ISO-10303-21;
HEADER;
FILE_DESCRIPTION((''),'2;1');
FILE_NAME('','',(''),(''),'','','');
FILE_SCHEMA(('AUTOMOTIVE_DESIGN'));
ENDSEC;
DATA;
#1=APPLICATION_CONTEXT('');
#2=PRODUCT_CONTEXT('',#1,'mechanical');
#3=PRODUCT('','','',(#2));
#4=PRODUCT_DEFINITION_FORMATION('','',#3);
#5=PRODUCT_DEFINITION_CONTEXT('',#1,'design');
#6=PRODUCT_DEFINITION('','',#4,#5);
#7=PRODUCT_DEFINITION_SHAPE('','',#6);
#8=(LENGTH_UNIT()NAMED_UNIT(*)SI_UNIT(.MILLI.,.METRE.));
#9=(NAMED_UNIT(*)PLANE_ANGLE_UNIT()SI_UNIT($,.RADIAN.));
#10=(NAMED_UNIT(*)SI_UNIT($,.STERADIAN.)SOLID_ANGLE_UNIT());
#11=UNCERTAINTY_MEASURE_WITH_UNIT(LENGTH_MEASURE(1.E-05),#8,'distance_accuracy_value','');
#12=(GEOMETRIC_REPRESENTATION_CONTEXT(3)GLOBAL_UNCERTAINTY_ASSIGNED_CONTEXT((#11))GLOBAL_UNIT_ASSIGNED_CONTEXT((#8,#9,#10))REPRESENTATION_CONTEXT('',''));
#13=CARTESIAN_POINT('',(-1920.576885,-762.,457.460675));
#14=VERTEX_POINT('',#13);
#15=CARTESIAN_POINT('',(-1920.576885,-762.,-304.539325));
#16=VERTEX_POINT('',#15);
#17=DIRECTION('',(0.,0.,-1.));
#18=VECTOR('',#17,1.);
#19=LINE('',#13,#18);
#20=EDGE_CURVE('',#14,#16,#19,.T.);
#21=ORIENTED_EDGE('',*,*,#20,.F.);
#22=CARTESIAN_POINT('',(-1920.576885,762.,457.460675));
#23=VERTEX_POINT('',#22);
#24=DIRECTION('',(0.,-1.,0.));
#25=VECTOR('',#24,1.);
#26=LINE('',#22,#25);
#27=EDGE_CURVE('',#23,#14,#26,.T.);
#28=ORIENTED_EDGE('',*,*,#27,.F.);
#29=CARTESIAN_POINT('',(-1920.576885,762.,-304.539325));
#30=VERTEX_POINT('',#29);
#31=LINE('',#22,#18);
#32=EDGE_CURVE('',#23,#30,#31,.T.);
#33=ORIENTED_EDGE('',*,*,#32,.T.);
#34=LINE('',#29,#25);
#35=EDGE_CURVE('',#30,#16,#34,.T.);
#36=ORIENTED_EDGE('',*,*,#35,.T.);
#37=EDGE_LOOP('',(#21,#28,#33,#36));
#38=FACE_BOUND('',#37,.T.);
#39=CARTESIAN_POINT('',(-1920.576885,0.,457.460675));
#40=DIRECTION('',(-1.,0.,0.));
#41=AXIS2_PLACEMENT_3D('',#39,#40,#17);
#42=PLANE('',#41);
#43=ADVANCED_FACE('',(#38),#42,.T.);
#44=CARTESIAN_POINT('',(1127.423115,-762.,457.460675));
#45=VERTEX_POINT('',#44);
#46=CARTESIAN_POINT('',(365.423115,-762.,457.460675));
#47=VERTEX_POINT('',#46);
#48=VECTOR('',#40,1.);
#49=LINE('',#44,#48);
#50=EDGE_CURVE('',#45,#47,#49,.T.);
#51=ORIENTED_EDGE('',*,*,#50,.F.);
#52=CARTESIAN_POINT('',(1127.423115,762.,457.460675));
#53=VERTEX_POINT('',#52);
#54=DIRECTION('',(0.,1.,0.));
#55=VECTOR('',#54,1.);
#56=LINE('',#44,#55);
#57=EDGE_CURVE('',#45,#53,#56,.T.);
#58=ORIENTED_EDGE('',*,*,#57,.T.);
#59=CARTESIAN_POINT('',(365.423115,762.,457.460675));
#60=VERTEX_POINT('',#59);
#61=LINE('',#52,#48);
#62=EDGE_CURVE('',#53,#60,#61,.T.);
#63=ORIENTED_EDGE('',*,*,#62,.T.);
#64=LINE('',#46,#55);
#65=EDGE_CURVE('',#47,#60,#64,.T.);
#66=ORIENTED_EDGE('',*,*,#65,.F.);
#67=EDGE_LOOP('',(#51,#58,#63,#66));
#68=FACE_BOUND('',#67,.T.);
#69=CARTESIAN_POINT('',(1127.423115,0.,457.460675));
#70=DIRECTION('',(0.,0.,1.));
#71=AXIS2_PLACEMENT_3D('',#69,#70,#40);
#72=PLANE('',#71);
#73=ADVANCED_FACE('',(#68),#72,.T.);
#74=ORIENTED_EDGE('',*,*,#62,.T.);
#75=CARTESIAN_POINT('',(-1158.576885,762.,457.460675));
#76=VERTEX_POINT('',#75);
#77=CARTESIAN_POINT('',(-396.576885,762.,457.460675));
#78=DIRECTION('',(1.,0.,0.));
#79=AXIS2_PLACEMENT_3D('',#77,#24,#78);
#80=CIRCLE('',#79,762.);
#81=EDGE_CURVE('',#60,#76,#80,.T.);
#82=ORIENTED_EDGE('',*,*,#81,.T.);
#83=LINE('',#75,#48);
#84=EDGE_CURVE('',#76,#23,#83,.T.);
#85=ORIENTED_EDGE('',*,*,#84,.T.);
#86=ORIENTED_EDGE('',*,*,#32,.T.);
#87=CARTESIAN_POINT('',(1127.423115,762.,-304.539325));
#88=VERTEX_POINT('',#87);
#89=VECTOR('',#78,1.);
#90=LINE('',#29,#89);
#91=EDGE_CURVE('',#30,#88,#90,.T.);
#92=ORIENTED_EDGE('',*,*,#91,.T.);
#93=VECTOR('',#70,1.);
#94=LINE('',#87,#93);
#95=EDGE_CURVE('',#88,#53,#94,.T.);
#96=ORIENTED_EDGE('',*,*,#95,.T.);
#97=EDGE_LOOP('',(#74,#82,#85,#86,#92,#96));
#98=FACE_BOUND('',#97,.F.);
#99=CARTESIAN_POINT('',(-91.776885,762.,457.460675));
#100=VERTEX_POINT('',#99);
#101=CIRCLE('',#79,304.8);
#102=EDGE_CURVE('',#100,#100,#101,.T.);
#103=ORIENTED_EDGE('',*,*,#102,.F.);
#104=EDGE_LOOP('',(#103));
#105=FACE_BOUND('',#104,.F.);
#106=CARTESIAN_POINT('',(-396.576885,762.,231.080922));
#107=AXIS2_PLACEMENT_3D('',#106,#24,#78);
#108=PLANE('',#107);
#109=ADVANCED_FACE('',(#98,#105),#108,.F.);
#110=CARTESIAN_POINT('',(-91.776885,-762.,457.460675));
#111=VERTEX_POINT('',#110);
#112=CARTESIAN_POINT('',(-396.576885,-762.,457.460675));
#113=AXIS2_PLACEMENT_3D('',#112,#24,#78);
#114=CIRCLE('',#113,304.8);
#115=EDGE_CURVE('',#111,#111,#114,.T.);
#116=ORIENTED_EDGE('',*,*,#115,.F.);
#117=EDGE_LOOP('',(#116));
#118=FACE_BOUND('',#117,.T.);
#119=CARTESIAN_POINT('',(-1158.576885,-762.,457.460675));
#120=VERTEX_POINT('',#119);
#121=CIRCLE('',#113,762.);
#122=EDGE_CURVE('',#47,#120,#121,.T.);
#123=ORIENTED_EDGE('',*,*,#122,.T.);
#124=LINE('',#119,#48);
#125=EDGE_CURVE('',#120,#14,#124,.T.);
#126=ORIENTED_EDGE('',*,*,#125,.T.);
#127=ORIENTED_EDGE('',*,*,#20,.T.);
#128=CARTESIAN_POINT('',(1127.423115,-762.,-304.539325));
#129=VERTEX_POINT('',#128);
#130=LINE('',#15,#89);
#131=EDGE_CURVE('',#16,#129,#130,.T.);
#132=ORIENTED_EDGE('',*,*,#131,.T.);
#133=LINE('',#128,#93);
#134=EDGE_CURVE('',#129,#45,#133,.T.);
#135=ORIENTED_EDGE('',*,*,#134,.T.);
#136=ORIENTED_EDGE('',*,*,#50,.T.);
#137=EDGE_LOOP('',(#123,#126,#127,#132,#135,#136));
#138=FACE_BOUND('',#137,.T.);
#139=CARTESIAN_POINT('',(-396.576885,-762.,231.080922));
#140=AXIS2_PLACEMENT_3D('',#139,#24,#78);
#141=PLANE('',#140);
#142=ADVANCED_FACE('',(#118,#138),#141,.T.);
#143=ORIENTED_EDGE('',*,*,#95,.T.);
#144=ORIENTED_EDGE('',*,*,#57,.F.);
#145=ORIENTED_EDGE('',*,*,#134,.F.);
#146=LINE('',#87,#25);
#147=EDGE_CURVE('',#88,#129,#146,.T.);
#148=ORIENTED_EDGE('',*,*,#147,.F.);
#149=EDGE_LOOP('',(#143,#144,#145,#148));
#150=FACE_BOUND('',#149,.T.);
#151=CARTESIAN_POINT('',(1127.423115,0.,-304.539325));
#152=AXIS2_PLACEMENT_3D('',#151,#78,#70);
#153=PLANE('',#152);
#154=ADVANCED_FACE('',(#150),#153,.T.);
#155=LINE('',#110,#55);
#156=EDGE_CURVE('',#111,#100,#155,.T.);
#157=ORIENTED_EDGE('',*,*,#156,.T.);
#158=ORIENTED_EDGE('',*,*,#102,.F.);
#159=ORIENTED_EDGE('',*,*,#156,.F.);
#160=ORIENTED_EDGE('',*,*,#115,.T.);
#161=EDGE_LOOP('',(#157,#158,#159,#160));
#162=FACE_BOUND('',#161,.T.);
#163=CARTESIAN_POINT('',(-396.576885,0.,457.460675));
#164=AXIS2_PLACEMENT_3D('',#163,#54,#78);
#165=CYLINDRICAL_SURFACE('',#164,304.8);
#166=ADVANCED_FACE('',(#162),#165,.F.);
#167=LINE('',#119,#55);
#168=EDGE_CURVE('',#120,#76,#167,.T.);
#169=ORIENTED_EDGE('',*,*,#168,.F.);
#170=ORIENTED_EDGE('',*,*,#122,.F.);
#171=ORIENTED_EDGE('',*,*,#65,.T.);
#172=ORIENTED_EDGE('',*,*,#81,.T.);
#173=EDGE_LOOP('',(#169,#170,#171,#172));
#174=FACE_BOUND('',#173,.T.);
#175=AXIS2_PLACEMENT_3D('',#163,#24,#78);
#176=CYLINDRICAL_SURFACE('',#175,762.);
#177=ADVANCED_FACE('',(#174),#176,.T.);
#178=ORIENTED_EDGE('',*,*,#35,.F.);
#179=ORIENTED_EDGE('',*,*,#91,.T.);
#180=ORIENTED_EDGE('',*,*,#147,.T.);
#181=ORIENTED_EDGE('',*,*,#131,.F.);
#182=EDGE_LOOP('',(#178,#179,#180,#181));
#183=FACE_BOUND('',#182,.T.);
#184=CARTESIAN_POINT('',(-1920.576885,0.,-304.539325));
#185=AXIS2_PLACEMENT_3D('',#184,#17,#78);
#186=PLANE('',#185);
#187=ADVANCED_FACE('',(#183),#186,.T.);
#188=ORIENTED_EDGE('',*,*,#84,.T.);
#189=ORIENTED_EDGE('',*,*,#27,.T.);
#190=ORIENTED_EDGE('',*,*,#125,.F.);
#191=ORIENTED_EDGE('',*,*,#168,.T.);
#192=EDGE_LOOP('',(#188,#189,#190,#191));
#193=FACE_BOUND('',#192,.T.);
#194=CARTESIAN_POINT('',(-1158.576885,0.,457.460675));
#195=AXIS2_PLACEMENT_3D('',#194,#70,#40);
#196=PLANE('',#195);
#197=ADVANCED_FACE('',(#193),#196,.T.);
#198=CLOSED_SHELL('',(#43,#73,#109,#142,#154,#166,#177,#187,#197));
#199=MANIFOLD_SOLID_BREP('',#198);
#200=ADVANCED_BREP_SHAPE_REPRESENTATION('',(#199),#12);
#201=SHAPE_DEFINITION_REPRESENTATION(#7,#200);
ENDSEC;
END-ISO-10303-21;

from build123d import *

# Parameters (mm, degrees)
F0_R     = 304.8
F1_DEPTH = 762


with BuildPart() as f1:
    # F0 (on Front) → F1 (new body, symmetric)
    with BuildSketch(Plane.XZ):
        with BuildLine():
            Line((-1158.5768849731, 457.4606752183), (-1920.5768849731, 457.4606752183))
            Line((-1920.5768849731, 457.4606752183), (-1920.5768849731, -304.5393247817))
            Line((-1920.5768849731, -304.5393247817), (1127.4231150269, -304.5393247817))
            Line((1127.4231150269, -304.5393247817), (1127.4231150269, 457.4606752183))
            Line((1127.4231150269, 457.4606752183), (365.4231150269, 457.4606752183))
            ThreePointArc((365.4231150269, 457.4606752183), (-396.5768849731, 1219.4606752183), (-1158.5768849731, 457.4606752183))
        make_face()
        with Locations((-396.5768849731, 457.4606752183)):
            Circle(F0_R, mode=Mode.SUBTRACT)
    extrude(amount=F1_DEPTH, both=True)


solid = f1.part
